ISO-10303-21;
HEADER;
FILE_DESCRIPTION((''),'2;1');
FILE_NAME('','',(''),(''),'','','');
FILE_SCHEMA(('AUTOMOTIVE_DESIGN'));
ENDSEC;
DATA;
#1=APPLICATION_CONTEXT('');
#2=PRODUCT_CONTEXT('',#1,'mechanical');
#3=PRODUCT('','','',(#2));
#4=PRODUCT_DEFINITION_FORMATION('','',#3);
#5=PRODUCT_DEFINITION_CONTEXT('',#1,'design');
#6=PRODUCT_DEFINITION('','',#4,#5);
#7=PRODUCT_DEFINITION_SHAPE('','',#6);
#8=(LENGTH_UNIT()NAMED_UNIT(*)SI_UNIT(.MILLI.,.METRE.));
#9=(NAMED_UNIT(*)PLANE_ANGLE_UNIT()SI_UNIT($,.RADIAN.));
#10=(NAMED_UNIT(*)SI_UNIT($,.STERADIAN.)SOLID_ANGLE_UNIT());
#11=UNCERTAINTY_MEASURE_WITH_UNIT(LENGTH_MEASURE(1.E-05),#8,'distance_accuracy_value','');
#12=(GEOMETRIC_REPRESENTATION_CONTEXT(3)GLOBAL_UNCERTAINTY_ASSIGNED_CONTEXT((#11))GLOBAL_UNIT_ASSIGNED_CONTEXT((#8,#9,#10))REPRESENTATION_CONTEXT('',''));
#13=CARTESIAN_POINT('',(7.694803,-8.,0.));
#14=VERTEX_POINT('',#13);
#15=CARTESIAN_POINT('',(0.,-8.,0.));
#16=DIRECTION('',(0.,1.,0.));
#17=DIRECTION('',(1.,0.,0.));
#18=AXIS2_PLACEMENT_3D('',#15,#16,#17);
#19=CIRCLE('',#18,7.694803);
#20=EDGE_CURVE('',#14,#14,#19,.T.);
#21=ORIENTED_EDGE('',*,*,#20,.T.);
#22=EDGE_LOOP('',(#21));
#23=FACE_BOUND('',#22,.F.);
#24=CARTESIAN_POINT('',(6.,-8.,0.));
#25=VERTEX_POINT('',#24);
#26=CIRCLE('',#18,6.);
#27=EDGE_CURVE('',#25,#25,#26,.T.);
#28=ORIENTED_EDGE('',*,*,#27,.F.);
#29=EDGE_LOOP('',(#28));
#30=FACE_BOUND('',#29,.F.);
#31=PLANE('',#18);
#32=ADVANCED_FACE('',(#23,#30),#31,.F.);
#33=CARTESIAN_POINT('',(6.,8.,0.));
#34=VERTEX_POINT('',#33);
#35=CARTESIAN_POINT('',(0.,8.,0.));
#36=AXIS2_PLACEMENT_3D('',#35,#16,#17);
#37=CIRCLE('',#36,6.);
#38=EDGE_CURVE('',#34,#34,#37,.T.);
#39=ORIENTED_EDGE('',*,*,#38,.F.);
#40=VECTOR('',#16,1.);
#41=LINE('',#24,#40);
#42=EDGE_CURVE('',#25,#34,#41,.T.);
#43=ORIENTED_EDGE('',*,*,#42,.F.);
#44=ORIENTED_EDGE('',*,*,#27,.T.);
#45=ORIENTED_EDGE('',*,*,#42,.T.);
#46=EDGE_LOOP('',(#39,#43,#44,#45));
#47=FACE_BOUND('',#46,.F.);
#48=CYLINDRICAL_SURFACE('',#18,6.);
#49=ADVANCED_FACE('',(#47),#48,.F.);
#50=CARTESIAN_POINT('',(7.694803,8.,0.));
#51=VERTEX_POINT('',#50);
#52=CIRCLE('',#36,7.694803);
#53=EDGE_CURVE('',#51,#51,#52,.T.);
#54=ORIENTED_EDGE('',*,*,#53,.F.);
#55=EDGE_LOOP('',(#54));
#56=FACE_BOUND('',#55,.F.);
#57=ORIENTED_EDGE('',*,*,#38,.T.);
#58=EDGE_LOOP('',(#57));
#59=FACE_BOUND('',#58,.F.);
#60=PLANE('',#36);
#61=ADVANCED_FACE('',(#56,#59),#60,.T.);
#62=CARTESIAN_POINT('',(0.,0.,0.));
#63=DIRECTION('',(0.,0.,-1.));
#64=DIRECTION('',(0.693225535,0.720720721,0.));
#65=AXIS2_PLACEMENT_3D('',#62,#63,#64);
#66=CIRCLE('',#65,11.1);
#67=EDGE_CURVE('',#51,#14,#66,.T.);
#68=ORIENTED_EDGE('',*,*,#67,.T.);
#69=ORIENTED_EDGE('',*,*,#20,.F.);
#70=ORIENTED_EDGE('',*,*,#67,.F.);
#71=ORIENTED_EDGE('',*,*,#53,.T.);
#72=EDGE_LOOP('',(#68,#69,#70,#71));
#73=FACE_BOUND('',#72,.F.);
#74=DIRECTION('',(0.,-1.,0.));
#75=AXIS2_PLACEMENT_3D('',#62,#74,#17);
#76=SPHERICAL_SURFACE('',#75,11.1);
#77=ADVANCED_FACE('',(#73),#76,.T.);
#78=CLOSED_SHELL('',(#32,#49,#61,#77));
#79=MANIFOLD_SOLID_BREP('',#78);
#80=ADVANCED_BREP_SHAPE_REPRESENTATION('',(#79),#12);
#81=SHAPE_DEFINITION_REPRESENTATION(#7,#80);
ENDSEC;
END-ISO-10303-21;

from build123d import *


with BuildPart() as part:
    # Szkic1 → Obrót1 (revolve)
    with BuildSketch(Plane.XY):
        with BuildLine():
            Line((6, -8), (6, 8))
            Line((6, 8), (7.694803441, 8))
            ThreePointArc((7.694803441, 8), (11.1, 0), (7.694803441, -8))
            Line((7.694803441, -8), (6, -8))
        make_face()
    revolve(axis=Axis((0, -11.1, 0), (0, 1, 0)))


solid = part.part
